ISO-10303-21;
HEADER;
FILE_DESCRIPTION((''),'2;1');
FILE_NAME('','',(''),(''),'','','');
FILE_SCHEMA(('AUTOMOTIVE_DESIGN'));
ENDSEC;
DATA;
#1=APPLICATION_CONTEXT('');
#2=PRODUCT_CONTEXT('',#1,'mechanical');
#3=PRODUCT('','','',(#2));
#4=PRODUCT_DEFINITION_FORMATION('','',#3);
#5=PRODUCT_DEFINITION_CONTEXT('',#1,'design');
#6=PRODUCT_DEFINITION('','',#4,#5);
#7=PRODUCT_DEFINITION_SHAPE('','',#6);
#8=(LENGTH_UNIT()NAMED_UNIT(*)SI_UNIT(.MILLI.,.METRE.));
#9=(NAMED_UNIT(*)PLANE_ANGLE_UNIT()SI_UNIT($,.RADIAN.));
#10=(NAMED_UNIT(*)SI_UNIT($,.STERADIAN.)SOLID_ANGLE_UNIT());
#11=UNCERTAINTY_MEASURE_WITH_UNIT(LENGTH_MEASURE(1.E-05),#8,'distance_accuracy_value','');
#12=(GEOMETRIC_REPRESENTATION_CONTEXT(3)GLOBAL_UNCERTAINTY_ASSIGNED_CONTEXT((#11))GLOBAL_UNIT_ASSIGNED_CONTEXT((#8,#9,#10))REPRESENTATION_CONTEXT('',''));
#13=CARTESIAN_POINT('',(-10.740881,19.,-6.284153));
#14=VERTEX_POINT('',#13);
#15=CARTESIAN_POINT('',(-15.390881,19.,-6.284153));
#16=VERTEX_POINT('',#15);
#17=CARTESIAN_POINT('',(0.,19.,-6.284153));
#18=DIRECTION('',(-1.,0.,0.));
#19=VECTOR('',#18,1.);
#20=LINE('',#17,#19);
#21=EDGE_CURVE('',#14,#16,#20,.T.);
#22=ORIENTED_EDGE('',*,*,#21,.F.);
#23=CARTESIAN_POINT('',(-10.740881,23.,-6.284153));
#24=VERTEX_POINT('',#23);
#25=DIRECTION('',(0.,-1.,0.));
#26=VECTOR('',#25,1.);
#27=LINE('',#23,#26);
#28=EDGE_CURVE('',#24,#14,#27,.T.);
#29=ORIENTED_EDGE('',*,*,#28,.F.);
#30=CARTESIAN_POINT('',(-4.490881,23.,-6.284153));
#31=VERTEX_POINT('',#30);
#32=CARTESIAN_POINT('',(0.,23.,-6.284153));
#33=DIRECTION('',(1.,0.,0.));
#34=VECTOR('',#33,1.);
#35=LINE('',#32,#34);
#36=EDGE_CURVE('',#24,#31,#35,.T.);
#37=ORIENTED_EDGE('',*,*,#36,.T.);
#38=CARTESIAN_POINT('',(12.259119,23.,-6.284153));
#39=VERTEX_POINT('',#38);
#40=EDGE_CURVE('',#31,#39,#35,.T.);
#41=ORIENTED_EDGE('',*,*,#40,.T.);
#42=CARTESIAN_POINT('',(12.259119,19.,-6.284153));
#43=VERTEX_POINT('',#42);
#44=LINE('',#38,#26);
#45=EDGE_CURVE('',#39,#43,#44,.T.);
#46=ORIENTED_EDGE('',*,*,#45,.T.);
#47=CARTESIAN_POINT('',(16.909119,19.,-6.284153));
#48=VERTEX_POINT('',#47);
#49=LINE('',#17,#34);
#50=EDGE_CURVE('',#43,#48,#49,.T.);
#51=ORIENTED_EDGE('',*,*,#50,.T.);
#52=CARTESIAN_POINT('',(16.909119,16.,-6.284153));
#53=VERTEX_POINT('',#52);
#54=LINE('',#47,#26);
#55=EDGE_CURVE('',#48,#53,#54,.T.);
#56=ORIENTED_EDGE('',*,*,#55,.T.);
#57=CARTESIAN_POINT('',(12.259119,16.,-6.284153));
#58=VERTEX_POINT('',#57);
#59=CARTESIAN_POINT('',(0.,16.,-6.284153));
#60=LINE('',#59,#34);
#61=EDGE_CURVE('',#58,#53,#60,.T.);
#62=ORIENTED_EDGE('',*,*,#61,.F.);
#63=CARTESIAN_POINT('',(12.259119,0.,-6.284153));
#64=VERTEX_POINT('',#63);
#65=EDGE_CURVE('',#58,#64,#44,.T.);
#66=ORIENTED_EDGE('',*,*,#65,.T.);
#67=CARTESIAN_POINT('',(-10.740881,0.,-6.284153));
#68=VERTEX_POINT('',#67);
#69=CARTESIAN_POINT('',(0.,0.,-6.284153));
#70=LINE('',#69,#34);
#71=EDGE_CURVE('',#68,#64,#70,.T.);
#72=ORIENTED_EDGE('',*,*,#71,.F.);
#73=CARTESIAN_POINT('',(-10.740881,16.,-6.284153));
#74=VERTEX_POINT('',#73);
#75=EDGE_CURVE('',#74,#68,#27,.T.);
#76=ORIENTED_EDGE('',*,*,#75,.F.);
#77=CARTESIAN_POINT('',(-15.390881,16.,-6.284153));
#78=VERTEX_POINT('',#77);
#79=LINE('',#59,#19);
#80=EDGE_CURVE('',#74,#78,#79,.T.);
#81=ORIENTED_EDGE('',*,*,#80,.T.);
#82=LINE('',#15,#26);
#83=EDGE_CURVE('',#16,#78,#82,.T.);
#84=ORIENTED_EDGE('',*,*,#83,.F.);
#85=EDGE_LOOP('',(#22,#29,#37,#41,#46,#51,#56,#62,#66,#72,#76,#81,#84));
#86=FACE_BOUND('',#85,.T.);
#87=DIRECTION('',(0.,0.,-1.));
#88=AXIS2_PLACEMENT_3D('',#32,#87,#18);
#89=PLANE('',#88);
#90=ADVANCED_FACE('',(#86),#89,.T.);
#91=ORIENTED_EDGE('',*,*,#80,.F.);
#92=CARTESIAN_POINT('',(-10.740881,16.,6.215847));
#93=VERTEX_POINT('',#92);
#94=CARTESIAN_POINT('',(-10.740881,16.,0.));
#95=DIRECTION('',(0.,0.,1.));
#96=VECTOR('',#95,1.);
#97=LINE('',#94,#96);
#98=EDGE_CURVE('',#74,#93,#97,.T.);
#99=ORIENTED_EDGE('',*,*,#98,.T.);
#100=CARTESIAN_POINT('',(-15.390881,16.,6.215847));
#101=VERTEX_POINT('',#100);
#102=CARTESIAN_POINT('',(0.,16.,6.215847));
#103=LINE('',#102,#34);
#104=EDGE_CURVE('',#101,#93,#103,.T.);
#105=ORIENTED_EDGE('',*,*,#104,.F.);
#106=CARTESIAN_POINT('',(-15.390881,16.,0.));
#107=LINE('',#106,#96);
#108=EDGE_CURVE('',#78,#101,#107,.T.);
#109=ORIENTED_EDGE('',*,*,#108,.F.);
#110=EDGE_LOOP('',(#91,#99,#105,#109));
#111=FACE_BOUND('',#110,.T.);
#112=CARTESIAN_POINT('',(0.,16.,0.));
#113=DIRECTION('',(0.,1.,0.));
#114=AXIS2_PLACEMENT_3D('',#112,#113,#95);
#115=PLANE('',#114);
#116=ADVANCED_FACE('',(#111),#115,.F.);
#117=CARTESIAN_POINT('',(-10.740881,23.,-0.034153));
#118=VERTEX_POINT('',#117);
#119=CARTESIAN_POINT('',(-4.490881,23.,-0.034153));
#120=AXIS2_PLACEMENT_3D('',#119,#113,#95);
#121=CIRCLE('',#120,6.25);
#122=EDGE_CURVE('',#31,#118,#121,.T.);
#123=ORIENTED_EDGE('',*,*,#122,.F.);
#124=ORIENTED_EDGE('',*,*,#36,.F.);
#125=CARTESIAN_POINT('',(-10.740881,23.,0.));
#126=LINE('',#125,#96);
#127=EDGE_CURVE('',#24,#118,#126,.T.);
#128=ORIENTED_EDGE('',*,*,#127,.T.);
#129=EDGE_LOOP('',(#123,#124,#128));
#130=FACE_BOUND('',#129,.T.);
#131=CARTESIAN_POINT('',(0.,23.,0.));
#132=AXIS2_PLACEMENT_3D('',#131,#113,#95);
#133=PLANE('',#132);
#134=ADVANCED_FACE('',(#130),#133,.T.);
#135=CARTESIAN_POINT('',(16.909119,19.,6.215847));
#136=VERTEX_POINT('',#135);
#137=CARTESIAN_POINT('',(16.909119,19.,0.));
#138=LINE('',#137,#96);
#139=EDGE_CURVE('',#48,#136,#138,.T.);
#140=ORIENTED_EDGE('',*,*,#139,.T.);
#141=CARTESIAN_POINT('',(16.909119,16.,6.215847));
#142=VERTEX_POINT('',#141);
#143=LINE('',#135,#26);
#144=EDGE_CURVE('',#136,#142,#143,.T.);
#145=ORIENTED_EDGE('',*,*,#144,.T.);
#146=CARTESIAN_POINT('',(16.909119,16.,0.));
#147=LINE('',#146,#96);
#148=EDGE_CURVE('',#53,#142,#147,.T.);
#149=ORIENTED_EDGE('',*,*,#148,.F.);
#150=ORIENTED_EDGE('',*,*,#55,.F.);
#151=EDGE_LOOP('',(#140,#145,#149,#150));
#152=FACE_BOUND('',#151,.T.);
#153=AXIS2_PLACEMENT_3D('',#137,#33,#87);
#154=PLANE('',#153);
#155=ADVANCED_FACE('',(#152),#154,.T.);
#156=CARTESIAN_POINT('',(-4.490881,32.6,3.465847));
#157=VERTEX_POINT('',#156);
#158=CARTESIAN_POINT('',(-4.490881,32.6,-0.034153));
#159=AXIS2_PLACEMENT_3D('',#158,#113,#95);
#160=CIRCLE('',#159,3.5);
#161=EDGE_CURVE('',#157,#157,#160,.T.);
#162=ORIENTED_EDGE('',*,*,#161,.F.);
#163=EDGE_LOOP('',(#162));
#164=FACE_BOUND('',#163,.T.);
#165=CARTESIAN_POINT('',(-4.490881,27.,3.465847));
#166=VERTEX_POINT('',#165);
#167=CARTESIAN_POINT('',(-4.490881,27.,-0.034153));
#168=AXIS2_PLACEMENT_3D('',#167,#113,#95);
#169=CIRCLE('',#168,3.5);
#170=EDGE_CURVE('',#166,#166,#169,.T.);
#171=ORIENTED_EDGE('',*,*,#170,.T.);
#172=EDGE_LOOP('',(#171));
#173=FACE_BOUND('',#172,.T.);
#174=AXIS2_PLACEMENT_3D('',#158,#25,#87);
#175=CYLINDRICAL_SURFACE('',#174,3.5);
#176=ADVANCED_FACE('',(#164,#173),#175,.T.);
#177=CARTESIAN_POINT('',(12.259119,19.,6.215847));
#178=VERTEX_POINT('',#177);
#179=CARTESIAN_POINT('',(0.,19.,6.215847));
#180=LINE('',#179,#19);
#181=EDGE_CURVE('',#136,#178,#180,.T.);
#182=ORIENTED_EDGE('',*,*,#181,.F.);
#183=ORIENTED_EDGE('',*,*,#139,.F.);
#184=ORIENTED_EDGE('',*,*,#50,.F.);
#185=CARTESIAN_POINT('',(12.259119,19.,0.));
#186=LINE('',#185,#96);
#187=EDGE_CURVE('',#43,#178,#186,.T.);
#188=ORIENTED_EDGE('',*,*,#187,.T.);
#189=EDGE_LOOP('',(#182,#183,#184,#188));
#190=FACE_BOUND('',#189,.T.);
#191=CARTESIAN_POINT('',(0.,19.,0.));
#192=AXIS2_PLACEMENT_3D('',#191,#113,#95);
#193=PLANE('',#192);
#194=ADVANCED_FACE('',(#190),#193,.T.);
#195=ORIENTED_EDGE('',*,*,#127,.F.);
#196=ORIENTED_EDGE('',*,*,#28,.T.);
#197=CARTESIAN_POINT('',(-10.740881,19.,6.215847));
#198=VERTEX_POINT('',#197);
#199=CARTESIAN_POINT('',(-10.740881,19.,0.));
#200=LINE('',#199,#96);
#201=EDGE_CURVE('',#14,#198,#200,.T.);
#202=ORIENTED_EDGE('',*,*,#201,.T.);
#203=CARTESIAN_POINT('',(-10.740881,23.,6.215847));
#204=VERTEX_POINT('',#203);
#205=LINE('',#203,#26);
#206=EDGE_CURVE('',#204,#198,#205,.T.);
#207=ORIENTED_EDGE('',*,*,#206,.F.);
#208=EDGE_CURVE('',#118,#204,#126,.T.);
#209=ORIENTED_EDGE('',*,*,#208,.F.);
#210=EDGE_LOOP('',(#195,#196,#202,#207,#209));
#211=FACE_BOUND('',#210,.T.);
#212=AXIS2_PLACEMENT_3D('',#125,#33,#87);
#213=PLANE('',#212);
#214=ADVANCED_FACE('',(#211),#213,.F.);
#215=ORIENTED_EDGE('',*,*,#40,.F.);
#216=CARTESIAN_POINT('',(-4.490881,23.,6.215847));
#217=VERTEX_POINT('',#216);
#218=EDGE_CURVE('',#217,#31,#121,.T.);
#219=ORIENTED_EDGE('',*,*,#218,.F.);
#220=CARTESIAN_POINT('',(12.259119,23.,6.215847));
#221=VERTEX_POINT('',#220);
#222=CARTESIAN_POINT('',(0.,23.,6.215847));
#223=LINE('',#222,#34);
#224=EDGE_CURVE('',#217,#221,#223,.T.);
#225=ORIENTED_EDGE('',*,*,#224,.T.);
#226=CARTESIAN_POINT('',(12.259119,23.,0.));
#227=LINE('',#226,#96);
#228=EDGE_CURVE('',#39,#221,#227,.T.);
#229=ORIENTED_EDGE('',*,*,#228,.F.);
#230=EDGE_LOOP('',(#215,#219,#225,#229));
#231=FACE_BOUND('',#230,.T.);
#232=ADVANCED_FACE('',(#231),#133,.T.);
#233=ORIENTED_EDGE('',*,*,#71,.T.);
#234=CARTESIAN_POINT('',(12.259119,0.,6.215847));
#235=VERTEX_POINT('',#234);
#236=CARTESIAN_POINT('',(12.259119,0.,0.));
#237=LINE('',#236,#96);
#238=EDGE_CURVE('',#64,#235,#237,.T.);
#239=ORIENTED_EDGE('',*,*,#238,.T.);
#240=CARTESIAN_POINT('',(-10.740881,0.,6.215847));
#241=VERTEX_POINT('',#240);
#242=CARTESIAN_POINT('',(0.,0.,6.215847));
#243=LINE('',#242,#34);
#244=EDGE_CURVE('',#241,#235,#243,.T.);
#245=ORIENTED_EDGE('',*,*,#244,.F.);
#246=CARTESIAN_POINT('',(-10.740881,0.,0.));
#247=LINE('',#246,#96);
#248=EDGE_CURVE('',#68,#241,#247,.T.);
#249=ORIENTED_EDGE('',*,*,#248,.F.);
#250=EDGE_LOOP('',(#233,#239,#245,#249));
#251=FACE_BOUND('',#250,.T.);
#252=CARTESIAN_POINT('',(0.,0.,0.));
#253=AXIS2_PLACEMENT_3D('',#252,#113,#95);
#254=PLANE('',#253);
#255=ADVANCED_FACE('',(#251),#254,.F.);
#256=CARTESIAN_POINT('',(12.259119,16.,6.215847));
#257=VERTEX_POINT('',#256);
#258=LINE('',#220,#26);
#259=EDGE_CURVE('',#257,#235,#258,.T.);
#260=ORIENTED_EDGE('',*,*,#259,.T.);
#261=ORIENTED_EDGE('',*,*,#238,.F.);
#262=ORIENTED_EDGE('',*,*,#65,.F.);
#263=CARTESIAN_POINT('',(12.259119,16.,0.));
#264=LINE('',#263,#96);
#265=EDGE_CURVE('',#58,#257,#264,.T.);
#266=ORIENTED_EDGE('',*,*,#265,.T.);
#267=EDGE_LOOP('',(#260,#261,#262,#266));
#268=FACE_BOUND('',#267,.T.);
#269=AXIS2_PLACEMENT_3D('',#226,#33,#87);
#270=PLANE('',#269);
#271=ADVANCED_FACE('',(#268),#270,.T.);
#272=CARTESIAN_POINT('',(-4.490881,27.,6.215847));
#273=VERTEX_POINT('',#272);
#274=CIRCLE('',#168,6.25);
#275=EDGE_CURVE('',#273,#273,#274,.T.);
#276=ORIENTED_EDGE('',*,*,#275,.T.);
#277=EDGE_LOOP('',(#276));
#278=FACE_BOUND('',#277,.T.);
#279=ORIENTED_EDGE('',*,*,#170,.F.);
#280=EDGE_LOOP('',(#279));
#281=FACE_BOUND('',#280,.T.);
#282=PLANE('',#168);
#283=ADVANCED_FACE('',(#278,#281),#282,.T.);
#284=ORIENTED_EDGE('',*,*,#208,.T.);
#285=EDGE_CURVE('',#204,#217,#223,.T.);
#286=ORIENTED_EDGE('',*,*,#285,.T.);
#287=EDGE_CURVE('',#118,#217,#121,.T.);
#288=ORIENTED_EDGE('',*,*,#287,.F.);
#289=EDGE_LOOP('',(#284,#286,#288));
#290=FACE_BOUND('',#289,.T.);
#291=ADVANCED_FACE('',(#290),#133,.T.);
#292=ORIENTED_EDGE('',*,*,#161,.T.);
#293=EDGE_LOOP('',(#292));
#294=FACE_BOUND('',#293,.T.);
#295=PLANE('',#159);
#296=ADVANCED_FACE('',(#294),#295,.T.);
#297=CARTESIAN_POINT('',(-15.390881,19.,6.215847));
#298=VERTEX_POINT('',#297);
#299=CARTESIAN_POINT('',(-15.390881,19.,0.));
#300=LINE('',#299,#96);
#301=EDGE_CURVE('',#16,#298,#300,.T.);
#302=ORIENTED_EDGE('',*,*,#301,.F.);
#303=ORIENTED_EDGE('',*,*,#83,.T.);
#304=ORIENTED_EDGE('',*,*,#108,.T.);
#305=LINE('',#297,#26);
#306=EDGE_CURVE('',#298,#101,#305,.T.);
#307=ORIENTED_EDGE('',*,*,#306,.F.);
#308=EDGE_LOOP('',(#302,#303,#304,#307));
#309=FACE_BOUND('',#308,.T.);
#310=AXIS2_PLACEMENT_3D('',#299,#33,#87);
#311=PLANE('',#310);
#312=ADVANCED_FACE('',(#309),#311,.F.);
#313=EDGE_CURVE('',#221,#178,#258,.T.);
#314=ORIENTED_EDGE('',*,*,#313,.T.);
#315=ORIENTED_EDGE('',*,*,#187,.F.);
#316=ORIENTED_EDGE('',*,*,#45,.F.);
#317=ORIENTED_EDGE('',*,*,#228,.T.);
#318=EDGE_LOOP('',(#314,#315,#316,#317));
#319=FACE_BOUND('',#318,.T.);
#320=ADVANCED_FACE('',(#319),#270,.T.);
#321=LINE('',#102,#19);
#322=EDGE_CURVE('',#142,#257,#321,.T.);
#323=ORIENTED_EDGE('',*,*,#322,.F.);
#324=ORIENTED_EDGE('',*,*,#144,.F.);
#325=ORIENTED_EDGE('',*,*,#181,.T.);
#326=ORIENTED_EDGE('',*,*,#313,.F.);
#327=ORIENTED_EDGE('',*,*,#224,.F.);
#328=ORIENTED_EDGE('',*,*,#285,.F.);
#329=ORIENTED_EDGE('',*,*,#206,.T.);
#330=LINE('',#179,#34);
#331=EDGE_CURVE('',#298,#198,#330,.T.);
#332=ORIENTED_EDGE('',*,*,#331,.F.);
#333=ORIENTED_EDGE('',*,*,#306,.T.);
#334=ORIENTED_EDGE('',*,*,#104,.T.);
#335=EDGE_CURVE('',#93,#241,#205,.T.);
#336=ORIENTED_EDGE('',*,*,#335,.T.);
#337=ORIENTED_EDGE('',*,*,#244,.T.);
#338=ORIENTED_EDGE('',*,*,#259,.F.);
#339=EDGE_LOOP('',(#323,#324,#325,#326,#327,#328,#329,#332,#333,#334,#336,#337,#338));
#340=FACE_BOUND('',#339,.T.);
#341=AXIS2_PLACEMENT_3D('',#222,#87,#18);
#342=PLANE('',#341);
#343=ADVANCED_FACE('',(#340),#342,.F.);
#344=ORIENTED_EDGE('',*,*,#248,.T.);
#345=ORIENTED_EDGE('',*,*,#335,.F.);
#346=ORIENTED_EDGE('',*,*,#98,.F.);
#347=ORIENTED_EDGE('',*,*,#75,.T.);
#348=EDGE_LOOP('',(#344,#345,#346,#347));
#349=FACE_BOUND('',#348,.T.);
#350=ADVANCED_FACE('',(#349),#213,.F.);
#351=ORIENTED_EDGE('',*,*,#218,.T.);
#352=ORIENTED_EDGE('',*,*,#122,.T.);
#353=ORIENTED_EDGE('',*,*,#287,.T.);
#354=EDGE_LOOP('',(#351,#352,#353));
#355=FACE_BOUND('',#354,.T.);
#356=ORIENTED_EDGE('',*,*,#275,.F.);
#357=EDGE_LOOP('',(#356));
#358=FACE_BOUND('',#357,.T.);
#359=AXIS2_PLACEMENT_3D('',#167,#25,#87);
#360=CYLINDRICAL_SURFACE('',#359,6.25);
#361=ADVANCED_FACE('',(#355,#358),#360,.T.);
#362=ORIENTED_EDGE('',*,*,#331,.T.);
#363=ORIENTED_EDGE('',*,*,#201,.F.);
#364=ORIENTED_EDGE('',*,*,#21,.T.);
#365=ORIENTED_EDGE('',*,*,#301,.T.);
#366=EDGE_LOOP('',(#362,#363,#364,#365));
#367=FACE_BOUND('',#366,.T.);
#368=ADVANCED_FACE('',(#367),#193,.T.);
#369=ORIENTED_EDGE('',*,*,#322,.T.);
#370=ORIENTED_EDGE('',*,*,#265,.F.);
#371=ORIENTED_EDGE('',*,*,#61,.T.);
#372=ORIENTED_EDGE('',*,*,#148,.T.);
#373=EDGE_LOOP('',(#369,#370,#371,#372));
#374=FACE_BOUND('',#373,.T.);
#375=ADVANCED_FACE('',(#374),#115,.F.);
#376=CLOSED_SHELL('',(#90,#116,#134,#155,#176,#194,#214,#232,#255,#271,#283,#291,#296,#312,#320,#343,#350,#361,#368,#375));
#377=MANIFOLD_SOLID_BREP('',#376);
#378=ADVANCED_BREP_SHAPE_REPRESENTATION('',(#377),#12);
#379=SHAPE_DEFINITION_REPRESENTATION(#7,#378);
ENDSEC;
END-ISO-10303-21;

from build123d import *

# Parameters (mm, degrees)
SKETCH1_R           = 3.5
BOSS_EXTRUDE1_DEPTH = 23
BOSS_EXTRUDE2_START = 16
SKETCH1_3_W         = 4.65
SKETCH1_3_H         = 12.5
BOSS_EXTRUDE2_DEPTH = 3
BOSS_EXTRUDE3_START = 23
SKETCH1_4_R         = 6.25
BOSS_EXTRUDE3_DEPTH = 4
BOSS_EXTRUDE4_START = 27
SKETCH1_5_R         = 3.5
BOSS_EXTRUDE4_DEPTH = 5.6


with BuildPart() as part:
    # Sketch1 → Boss-Extrude1 (new body)
    # profile 1 of 8: a face of its own
    with BuildSketch(Plane(origin=(0, 0, 0), x_dir=(1, 0, 0), z_dir=(0, 1, 0))):
        with BuildLine():
            Line((-4.490881441, 6.284153005), (-10.740881441, 6.284153005))
            Line((-10.740881441, 6.284153005), (-10.740881441, 0.034153005))
            ThreePointArc((-10.740881441, 0.034153005), (-8.910298823, 4.453570388), (-4.490881441, 6.284153005))
        make_face()
    # profile 2 of 8: a face of its own
    with BuildSketch(Plane(origin=(0, 0, 0), x_dir=(1, 0, 0), z_dir=(0, 1, 0))):
        with BuildLine():
            ThreePointArc((0.759118559, 3.425317997), (-1.501925201, 5.523109245), (-4.490881441, 6.284153005))
            ThreePointArc((-4.490881441, 6.284153005), (-8.910298823, 4.453570388), (-10.740881441, 0.034153005))
            ThreePointArc((-10.740881441, 0.034153005), (-8.910298823, -4.385264377), (-4.490881441, -6.215846995))
            ThreePointArc((-4.490881441, -6.215846995), (-1.501925201, -5.454803234), (0.759118559, -3.357011986))
            Line((0.759118559, -3.357011986), (0.759118559, 3.425317997))
        make_face()
        with Locations((-4.490881441, 0.034153005)):
            Circle(SKETCH1_R, mode=Mode.SUBTRACT)
    # profile 3 of 8: a face of its own
    with BuildSketch(Plane(origin=(0, 0, 0), x_dir=(1, 0, 0), z_dir=(0, 1, 0))):
        with BuildLine():
            Line((12.259118559, 6.284153005), (0.759118559, 6.284153005))
            Line((0.759118559, 6.284153005), (0.759118559, 3.425317997))
            ThreePointArc((0.759118559, 3.425317997), (1.503907964, 1.801919958), (1.759118559, 0.034153005))
            ThreePointArc((1.759118559, 0.034153005), (1.503907964, -1.733613948), (0.759118559, -3.357011986))
            Line((0.759118559, -3.357011986), (0.759118559, -6.215846995))
            Line((0.759118559, -6.215846995), (12.259118559, -6.215846995))
            Line((12.259118559, -6.215846995), (12.259118559, 6.284153005))
        make_face()
    # profile 4 of 8: a face of its own
    with BuildSketch(Plane(origin=(0, 0, 0), x_dir=(1, 0, 0), z_dir=(0, 1, 0))):
        with BuildLine():
            ThreePointArc((0.759118559, -3.357011986), (-1.501925201, -5.454803234), (-4.490881441, -6.215846995))
            Line((-4.490881441, -6.215846995), (0.759118559, -6.215846995))
            Line((0.759118559, -6.215846995), (0.759118559, -3.357011986))
        make_face()
    # profile 5 of 8: a face of its own
    with BuildSketch(Plane(origin=(0, 0, 0), x_dir=(1, 0, 0), z_dir=(0, 1, 0))):
        with BuildLine():
            Line((0.759118559, 6.284153005), (-4.490881441, 6.284153005))
            ThreePointArc((-4.490881441, 6.284153005), (-1.501925201, 5.523109245), (0.759118559, 3.425317997))
            Line((0.759118559, 3.425317997), (0.759118559, 6.284153005))
        make_face()
    # profile 6 of 8: a face of its own
    with BuildSketch(Plane(origin=(0, 0, 0), x_dir=(1, 0, 0), z_dir=(0, 1, 0))):
        with BuildLine():
            ThreePointArc((1.759118559, 0.034153005), (1.503907964, 1.801919958), (0.759118559, 3.425317997))
            Line((0.759118559, 3.425317997), (0.759118559, -3.357011986))
            ThreePointArc((0.759118559, -3.357011986), (1.503907964, -1.733613948), (1.759118559, 0.034153005))
        make_face()
    # profile 7 of 8: a face of its own
    with BuildSketch(Plane(origin=(0, 0, 0), x_dir=(1, 0, 0), z_dir=(0, 1, 0))):
        with Locations((-4.490881441, 0.034153005)):
            Circle(SKETCH1_R)
    # profile 8 of 8: a face of its own
    with BuildSketch(Plane(origin=(0, 0, 0), x_dir=(1, 0, 0), z_dir=(0, 1, 0))):
        with BuildLine():
            ThreePointArc((-4.490881441, -6.215846995), (-8.910298823, -4.385264377), (-10.740881441, 0.034153005))
            Line((-10.740881441, 0.034153005), (-10.740881441, -6.215846995))
            Line((-10.740881441, -6.215846995), (-4.490881441, -6.215846995))
        make_face()
    extrude(amount=BOSS_EXTRUDE1_DEPTH)

    # Sketch1<3> → Boss-Extrude2 (add)
    with BuildSketch(Plane(origin=(0, 0, 0), x_dir=(1, 0, 0), z_dir=(0, 1, 0)).offset(BOSS_EXTRUDE2_START)):
        with Locations((-13.065881441, 0.034153005)):
            Rectangle(SKETCH1_3_W, SKETCH1_3_H)
        with Locations((14.584118559, 0.034153005)):
            Rectangle(SKETCH1_3_W, SKETCH1_3_H)
    extrude(amount=BOSS_EXTRUDE2_DEPTH)

    # Sketch1<4> → Boss-Extrude3 (add)
    with BuildSketch(Plane(origin=(0, 0, 0), x_dir=(1, 0, 0), z_dir=(0, 1, 0)).offset(BOSS_EXTRUDE3_START)):
        with Locations(Location((-4.490881441, 0.034153005, 0), (0, 0, 270))):
            Circle(SKETCH1_4_R)
    extrude(amount=BOSS_EXTRUDE3_DEPTH)

    # Sketch1<5> → Boss-Extrude4 (add)
    with BuildSketch(Plane(origin=(0, 0, 0), x_dir=(1, 0, 0), z_dir=(0, 1, 0)).offset(BOSS_EXTRUDE4_START)):
        with Locations(Location((-4.490881441, 0.034153005, 0), (0, 0, 270))):
            Circle(SKETCH1_5_R)
    extrude(amount=BOSS_EXTRUDE4_DEPTH)


solid = part.part
